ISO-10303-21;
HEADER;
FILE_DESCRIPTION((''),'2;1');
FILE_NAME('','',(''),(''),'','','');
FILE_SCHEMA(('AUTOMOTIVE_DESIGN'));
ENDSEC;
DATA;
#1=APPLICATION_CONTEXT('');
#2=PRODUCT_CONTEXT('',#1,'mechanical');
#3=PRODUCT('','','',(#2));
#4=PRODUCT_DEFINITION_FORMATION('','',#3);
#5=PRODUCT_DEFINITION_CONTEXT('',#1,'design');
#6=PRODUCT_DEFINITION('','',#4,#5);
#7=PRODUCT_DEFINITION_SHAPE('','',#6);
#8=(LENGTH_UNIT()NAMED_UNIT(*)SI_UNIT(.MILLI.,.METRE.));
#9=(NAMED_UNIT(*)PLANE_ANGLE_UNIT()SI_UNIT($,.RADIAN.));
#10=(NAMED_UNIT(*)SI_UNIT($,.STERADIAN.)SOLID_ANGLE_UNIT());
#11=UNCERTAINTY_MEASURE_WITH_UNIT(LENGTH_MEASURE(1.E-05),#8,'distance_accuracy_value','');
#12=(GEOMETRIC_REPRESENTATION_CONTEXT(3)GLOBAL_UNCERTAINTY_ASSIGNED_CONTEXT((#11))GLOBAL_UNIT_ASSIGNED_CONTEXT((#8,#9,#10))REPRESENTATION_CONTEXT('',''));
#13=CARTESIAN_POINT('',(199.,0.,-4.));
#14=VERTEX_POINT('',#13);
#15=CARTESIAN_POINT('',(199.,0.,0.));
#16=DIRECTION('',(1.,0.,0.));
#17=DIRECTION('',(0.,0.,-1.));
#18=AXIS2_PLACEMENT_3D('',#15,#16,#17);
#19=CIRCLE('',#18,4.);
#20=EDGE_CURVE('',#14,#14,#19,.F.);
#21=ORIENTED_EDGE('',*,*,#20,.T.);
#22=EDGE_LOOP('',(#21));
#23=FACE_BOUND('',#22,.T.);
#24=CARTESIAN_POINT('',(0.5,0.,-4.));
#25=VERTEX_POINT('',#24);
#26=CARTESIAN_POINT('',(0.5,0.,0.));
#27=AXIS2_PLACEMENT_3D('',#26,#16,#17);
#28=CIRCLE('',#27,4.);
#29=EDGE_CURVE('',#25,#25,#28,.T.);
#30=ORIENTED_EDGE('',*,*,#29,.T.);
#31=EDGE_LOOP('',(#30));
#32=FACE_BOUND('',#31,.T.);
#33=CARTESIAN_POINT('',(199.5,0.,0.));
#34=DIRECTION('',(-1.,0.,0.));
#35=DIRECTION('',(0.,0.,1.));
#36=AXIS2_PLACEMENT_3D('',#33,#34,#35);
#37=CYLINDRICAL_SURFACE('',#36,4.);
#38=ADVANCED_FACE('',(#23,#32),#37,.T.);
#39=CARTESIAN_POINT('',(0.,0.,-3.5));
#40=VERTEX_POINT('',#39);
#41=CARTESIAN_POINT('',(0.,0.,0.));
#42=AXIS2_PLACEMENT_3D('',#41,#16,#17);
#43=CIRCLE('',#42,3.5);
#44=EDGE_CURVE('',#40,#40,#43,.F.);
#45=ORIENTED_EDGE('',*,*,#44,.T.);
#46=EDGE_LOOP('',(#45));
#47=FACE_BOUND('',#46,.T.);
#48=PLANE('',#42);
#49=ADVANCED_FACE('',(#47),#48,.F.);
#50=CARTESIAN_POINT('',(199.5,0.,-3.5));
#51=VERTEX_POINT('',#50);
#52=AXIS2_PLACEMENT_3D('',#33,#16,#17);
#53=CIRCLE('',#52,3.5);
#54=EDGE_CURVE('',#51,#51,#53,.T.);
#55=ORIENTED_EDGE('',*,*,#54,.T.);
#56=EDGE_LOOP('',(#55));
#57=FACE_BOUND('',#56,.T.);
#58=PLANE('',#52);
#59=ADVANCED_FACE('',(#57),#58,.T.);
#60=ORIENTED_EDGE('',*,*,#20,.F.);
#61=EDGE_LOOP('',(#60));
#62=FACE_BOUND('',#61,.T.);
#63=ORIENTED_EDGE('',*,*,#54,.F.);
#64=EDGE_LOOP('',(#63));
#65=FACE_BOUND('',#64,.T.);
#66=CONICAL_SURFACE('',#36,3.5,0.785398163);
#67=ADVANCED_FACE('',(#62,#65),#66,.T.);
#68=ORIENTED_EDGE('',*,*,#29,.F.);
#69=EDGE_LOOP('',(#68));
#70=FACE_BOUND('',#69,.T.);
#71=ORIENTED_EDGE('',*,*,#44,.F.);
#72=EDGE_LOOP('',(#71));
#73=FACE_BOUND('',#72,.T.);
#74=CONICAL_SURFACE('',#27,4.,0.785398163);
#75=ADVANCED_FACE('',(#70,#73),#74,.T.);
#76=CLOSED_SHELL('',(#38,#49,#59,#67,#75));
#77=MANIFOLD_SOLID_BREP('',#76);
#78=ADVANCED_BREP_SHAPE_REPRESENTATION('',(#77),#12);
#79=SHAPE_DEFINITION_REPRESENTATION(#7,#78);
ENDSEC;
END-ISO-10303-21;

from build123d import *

# Parameters (mm, degrees)
SKETCH1_R           = 4
BOSS_EXTRUDE1_DEPTH = 199.5
CHAMFER1_SIZE       = 0.5


with BuildPart() as part:
    # Sketch1 → Boss-Extrude1 (new body)
    with BuildSketch(Plane(origin=(0, 0, 0), x_dir=(0, 0, -1), z_dir=(1, 0, 0))):
        Circle(SKETCH1_R)
    extrude(amount=BOSS_EXTRUDE1_DEPTH)

    # Chamfer1
    chamfer1_edges = [part.edges().sort_by_distance(p)[0] for p in [
        (0, 0, 4),
        (199.5, 0, 4),
    ]]
    chamfer(chamfer1_edges, length=CHAMFER1_SIZE)


solid = part.part
